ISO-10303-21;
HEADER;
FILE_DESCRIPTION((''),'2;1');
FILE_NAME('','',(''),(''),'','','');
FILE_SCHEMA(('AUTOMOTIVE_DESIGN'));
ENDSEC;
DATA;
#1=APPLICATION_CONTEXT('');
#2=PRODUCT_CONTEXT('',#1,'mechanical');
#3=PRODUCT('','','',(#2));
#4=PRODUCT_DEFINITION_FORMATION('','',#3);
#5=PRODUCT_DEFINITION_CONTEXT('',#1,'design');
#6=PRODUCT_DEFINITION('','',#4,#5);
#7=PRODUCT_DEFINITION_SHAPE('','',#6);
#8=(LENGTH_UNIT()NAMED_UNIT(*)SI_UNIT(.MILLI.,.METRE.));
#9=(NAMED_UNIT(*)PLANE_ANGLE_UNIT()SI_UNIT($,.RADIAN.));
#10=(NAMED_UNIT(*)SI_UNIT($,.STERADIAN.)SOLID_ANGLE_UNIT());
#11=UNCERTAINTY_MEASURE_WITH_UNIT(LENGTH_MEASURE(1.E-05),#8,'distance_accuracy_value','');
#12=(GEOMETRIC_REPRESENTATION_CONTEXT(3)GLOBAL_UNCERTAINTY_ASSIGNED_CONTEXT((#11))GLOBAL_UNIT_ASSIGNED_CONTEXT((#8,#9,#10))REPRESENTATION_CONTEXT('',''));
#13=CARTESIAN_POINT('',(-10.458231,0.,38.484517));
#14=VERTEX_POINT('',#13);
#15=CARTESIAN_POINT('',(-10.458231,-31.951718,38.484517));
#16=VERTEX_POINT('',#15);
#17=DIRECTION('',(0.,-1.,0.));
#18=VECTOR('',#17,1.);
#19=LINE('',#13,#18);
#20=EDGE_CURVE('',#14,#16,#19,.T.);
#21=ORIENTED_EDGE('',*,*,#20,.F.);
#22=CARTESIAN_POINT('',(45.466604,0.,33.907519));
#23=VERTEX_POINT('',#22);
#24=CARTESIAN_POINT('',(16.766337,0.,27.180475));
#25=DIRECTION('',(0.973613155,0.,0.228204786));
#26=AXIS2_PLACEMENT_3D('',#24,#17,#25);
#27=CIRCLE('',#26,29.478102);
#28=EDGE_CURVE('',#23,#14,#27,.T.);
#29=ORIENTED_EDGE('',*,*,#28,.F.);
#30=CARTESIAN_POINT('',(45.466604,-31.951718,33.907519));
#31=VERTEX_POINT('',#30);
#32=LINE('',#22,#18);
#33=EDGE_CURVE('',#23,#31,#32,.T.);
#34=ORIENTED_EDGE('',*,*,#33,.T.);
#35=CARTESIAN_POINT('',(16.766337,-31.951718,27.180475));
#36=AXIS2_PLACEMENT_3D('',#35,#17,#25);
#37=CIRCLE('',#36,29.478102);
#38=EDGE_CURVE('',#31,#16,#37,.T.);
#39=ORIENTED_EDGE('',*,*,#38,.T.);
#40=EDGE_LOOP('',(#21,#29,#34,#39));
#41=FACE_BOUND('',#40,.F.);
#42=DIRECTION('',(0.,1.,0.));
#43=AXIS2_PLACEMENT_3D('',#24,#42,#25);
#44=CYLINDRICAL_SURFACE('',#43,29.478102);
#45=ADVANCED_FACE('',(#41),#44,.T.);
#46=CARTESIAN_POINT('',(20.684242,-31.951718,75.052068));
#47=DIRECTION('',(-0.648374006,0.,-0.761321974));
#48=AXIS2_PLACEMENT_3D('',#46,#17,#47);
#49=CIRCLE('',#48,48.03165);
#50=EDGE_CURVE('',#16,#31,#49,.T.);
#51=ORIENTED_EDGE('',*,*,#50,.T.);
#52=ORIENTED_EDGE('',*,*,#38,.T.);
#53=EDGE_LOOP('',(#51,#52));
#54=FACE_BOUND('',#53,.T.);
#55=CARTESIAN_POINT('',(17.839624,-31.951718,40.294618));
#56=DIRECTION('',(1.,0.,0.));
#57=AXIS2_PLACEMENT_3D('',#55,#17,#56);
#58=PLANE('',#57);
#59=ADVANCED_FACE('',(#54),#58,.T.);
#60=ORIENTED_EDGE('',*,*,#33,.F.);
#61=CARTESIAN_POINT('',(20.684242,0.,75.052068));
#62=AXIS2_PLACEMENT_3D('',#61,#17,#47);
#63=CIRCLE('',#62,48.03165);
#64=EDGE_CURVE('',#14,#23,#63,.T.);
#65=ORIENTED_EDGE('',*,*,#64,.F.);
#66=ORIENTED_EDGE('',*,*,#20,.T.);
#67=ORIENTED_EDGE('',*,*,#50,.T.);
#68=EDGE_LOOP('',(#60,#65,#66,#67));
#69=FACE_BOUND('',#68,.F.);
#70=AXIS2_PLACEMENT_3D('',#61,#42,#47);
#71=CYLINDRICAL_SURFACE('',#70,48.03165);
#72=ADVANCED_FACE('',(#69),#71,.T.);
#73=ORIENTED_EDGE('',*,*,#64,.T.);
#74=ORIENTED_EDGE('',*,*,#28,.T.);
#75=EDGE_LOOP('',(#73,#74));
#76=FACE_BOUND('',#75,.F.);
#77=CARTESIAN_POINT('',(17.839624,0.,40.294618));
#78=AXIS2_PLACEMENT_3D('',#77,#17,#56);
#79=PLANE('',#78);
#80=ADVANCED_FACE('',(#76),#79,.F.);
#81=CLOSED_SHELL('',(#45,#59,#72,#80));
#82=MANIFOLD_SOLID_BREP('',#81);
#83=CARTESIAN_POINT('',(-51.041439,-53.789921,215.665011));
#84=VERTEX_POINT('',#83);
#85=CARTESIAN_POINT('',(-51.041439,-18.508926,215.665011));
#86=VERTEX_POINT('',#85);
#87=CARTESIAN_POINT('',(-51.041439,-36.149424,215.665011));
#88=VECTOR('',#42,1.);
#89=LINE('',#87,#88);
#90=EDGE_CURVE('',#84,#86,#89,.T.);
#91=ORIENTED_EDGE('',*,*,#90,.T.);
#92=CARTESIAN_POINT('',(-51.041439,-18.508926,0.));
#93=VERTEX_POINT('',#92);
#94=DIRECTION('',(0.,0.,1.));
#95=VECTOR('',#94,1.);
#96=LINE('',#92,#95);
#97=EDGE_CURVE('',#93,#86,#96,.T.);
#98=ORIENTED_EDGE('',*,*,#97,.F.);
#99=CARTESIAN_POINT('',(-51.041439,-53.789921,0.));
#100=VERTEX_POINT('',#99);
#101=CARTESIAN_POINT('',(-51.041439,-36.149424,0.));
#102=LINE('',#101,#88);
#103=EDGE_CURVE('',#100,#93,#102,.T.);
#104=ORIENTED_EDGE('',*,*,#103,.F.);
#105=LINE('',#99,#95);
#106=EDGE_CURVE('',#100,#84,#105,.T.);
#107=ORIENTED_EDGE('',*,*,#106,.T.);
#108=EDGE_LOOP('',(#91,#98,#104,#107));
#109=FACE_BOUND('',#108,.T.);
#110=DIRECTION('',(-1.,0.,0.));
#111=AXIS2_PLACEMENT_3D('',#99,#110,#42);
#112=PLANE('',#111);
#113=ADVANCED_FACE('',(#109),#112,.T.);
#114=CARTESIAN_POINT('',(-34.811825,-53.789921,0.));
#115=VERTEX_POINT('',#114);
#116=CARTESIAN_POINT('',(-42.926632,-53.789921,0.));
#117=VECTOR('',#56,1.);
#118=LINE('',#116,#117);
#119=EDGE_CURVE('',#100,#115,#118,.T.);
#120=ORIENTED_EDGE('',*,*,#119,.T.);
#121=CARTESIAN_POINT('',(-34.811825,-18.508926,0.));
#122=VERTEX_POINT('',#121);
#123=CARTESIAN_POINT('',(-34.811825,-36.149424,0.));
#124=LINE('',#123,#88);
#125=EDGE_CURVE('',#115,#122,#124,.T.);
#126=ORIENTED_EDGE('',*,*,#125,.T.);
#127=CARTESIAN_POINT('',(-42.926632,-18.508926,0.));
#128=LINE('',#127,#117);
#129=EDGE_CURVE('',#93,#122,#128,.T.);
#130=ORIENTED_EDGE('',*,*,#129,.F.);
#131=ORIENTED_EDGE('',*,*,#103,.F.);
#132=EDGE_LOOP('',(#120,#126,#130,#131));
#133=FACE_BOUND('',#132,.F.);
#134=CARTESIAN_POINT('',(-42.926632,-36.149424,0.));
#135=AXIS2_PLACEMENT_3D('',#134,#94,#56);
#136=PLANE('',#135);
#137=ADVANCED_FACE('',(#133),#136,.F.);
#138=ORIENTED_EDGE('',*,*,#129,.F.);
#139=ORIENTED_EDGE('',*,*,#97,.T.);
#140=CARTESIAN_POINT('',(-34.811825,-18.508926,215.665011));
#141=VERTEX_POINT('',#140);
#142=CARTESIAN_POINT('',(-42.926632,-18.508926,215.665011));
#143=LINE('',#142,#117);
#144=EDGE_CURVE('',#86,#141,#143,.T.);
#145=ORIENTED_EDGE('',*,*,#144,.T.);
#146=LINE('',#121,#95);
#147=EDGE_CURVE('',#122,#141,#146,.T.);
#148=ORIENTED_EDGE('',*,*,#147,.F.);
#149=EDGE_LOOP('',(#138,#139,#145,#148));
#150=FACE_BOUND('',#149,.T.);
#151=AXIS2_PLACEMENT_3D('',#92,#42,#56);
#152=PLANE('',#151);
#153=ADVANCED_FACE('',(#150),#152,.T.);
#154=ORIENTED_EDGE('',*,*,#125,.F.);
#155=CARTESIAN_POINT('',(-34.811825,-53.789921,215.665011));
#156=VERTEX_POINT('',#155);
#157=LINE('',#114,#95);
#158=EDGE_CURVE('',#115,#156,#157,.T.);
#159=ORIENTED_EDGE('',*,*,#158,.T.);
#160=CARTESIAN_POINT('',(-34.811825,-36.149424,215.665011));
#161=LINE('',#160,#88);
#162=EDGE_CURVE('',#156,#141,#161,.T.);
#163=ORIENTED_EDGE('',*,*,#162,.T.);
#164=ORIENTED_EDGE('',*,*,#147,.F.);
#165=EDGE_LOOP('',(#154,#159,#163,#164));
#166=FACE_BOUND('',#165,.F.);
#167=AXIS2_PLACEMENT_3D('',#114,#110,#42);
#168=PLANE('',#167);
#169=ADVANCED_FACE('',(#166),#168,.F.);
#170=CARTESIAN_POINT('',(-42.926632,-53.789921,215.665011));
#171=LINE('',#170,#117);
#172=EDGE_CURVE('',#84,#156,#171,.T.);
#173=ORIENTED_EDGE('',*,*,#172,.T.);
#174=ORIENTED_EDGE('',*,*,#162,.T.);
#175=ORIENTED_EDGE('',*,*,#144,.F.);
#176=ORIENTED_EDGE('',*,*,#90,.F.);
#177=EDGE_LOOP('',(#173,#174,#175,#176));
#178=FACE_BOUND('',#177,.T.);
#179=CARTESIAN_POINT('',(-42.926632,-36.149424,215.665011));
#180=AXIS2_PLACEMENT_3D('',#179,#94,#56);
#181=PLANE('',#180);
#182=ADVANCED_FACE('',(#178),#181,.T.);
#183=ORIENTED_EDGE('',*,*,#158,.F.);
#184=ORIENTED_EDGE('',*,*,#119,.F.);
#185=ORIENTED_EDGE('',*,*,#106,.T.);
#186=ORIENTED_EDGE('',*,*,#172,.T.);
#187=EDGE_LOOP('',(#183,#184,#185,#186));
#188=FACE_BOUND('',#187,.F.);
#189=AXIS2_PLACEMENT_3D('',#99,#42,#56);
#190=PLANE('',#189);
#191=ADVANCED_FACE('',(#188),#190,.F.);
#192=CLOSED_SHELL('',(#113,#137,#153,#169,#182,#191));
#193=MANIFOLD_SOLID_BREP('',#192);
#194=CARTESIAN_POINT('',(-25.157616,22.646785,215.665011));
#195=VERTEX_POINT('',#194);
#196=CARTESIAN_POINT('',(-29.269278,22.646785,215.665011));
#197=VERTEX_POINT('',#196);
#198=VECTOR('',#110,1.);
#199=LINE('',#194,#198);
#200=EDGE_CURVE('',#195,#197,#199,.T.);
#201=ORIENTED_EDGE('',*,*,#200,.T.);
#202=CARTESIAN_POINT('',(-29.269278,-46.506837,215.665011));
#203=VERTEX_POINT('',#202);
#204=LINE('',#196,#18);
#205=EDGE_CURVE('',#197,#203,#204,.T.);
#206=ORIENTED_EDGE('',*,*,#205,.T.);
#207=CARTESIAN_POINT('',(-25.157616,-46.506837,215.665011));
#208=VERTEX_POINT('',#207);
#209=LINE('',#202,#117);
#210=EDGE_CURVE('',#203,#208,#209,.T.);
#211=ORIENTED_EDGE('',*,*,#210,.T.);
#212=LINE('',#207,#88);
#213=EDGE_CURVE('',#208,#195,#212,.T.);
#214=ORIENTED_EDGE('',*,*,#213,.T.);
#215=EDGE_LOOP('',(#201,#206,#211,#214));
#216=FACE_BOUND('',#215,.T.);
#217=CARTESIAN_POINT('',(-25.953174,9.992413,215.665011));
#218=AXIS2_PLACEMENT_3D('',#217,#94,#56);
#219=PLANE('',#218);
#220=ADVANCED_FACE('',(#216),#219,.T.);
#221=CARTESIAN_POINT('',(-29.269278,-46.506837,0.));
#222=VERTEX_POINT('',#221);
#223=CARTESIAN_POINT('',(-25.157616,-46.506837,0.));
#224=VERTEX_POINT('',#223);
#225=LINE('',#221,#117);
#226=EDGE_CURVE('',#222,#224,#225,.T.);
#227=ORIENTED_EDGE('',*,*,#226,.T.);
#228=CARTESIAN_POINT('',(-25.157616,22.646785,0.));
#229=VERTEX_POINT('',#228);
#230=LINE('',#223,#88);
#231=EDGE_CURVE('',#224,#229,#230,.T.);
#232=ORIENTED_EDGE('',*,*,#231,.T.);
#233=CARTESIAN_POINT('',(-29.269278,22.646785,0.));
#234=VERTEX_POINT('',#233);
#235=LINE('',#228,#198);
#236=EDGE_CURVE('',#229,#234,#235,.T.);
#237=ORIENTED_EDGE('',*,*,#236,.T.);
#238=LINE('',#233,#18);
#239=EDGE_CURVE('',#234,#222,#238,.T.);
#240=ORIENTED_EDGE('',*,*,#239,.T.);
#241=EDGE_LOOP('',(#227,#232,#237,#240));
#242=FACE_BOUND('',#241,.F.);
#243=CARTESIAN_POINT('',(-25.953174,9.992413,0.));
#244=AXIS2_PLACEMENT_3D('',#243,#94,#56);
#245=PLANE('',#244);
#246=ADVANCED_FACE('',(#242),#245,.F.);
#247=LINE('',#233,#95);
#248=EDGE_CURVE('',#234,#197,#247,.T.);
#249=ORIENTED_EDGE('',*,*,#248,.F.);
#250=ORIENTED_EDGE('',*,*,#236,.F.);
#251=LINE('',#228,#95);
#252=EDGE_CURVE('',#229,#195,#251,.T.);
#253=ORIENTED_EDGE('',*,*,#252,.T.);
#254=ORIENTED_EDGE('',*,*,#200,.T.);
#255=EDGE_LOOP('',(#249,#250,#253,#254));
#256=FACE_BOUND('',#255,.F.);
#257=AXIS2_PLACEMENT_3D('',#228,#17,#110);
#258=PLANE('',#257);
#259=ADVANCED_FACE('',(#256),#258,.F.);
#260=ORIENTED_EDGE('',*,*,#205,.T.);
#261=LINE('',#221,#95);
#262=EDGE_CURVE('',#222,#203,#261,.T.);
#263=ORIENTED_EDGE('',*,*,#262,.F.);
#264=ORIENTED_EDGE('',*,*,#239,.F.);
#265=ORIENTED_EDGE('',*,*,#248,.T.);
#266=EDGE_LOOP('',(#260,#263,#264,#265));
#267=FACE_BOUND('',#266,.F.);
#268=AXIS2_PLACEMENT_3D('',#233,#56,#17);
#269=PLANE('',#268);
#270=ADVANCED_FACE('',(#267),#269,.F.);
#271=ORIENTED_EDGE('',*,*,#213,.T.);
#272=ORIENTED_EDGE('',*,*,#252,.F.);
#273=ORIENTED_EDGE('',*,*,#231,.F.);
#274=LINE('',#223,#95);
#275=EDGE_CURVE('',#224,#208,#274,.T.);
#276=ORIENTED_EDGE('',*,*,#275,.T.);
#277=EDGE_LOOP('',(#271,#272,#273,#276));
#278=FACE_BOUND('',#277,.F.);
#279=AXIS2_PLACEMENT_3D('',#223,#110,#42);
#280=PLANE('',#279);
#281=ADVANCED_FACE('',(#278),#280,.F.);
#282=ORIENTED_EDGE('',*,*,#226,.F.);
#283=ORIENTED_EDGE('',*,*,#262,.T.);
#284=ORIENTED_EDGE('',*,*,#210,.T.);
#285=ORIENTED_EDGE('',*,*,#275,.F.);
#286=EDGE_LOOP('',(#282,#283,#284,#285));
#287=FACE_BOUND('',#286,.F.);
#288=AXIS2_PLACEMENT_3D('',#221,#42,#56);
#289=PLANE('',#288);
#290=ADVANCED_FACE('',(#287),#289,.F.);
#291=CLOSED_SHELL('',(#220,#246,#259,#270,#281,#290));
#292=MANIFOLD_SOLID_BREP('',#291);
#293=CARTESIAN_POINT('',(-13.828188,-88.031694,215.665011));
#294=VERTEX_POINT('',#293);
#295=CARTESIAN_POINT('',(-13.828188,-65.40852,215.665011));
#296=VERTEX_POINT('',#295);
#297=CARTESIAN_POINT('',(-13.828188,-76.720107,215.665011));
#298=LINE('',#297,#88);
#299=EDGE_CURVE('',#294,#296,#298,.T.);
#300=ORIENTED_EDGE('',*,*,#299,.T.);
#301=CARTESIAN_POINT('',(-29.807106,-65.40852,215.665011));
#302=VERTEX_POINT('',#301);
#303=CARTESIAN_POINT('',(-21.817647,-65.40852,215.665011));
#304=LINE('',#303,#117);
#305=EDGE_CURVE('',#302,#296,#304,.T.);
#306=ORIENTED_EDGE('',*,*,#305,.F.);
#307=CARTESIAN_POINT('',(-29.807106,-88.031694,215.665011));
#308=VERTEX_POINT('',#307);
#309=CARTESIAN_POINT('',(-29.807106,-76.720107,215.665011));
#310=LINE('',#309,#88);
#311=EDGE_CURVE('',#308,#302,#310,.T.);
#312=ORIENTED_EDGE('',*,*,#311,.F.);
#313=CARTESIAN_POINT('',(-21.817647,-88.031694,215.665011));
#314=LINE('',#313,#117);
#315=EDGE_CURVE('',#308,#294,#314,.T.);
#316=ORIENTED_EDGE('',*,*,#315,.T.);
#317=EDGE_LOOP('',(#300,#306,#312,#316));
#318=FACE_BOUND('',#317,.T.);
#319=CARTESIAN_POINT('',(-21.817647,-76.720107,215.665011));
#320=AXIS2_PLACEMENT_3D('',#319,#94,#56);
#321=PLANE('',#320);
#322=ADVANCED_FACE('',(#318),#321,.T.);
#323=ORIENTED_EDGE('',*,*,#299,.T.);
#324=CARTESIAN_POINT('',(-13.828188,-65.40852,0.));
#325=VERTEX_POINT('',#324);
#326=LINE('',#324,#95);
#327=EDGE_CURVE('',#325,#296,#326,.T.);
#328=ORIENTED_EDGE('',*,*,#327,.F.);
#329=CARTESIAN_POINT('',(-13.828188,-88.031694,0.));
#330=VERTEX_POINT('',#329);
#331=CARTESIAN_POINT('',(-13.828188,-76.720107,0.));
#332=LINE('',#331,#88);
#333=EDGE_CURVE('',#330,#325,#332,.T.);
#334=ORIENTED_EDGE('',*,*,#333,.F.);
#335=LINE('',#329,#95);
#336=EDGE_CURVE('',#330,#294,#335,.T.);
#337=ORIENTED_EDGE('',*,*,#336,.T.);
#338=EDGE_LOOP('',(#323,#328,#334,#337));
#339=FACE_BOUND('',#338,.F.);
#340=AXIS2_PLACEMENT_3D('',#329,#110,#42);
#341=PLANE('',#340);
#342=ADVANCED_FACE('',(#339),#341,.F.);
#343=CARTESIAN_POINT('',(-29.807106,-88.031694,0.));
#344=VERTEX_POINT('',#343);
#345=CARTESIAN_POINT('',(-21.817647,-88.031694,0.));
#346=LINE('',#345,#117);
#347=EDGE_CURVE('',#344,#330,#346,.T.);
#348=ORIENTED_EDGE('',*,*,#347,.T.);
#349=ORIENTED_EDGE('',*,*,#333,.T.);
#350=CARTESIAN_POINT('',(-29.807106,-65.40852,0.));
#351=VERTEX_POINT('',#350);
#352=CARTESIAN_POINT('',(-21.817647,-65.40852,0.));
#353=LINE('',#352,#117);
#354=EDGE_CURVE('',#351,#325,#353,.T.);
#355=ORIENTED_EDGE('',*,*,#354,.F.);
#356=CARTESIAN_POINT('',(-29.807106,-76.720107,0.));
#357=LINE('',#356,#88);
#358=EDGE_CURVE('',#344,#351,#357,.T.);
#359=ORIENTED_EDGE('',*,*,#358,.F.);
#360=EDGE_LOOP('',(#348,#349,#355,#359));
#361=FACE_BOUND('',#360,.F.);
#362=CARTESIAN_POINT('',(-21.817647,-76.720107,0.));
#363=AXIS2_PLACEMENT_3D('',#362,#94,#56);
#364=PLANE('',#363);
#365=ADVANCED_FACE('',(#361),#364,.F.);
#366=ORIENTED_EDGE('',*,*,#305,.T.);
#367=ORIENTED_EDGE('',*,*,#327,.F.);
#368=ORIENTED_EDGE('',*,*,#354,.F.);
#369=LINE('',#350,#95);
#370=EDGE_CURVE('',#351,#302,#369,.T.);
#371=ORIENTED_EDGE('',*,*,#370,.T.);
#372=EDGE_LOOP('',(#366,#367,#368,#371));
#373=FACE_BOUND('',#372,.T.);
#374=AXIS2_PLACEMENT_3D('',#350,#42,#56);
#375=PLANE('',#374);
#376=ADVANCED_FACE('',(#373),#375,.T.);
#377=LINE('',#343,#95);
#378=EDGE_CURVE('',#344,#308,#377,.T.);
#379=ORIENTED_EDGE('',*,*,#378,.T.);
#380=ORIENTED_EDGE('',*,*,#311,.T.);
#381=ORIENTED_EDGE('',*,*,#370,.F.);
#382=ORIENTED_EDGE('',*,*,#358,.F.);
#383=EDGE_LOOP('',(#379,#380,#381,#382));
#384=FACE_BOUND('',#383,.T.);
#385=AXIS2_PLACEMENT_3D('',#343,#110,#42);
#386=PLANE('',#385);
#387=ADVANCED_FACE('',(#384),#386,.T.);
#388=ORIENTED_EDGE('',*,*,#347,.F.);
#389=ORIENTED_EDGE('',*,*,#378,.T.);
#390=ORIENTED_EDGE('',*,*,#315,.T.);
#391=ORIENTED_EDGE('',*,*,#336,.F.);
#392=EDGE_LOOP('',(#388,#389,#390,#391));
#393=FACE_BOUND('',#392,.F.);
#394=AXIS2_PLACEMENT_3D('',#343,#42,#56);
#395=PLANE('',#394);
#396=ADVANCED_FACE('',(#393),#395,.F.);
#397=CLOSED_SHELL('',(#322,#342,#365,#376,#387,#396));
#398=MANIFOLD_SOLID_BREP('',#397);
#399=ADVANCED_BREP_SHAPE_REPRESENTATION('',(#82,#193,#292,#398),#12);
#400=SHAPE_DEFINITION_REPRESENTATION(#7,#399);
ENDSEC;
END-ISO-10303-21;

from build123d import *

# Parameters (mm, degrees)
F1_DEPTH = 31.9517180324
F2_W     = 16.2296146154
F2_H     = 35.2809950709
F3_DEPTH = 215.6650107354
F2_W_2   = 1.59111619
F2_H_2   = 0.5565434694
F2_W_3   = 15.9789174795
F2_H_3   = 22.6231738925


with BuildPart() as f1:
    # F0 (on Front) → F1 (new body)
    with BuildSketch(Plane.XZ):
        with BuildLine():
            ThreePointArc((45.4666044703, 33.9075185045), (19.1708433519, 56.5603457269), (-10.4582310831, 38.4845170573))
            ThreePointArc((-10.4582310831, 38.4845170573), (16.7663369063, 27.1804746164), (45.4666044703, 33.9075185045))
        make_face()
    extrude(amount=F1_DEPTH)


with BuildPart() as f3:
    # F2 (on Top) → F3 (new body)
    with BuildSketch(Plane.XY):
        with Locations((-42.9266318679, -36.1494235694)):
            Rectangle(F2_W, F2_H)
    extrude(amount=F3_DEPTH)


with BuildPart() as f3b:
    # F2 (on Top) → F3, piece 2 (new body)
    with BuildSketch(Plane.XY):
        with Locations((-25.9531736374, 9.9924132228)):
            Rectangle(F2_W_2, F2_H_2)
        Polygon((-25.1576155424, 9.7141414881), (-26.7487317324, 9.7141414881), (-26.7487317324, 10.2706849575), (-25.1576155424, 10.2706849575), (-25.1576155424, 22.6467847824), (-29.2692780495, 22.6467847824), (-29.2692780495, -46.5068370104), (-25.1576155424, -46.5068370104), align=None)
    extrude(amount=F3_DEPTH)


with BuildPart() as f3c:
    # F2 (on Top) → F3, piece 3 (new body)
    with BuildSketch(Plane.XY):
        with Locations((-21.8176469207, -76.7201073468)):
            Rectangle(F2_W_3, F2_H_3)
    extrude(amount=F3_DEPTH)


solid = Compound([f1.part, f3.part, f3b.part, f3c.part])
